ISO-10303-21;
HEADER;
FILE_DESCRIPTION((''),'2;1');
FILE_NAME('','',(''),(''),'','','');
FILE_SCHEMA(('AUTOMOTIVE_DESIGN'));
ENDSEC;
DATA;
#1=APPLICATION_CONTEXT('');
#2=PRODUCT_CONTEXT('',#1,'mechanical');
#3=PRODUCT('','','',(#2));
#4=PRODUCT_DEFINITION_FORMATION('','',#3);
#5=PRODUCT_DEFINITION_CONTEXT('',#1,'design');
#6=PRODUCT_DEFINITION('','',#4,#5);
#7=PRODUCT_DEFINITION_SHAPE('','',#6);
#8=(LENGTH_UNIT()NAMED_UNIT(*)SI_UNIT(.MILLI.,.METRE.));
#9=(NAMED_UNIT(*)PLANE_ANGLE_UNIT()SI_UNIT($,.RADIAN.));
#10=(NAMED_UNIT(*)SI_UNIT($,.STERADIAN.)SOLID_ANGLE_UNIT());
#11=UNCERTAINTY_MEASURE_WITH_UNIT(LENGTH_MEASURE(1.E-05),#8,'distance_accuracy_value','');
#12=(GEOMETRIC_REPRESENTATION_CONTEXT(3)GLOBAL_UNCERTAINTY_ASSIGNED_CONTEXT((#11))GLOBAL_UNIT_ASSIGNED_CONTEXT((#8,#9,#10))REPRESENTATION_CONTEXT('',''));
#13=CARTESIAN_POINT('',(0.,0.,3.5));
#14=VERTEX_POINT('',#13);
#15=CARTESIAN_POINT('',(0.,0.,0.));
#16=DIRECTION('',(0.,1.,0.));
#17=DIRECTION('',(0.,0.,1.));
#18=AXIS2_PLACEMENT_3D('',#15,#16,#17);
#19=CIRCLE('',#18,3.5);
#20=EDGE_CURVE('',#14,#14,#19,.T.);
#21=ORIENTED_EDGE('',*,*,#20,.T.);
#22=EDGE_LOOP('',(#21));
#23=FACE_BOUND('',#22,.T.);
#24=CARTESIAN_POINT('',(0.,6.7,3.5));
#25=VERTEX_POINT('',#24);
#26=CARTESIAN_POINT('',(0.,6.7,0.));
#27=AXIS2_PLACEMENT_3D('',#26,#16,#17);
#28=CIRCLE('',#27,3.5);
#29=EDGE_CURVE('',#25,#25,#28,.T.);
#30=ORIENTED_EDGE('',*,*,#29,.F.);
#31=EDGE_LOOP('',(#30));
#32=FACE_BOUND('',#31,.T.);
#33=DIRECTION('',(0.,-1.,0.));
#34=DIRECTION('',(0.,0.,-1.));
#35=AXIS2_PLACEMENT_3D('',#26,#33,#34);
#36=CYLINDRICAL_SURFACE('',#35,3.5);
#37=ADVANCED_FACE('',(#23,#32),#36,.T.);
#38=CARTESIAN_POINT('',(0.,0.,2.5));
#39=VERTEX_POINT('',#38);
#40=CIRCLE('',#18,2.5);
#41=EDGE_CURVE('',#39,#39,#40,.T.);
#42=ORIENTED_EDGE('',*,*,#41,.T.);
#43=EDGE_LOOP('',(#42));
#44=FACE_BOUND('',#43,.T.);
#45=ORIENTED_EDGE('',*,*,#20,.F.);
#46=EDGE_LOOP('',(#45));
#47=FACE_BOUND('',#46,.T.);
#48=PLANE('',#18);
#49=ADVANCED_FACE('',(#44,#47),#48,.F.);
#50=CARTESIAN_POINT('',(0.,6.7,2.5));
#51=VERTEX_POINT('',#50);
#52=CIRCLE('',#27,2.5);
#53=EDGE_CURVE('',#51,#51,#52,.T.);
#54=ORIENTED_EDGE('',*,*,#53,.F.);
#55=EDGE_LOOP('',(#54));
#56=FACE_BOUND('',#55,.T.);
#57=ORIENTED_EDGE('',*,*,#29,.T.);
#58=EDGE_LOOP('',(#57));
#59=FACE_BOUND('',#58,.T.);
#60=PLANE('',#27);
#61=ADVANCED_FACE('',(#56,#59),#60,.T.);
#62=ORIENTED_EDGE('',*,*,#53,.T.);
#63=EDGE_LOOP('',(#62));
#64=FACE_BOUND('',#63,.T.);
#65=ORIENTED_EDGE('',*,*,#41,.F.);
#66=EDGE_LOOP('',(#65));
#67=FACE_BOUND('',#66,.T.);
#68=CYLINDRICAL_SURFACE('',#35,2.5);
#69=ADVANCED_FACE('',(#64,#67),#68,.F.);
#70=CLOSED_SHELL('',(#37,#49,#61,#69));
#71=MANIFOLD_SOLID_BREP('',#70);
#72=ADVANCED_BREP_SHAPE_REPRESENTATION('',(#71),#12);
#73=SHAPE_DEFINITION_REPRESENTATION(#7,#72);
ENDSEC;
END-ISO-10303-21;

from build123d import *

# Parameters (mm, degrees)
SKETCH1_R           = 3.5
SKETCH1_R_2         = 2.5
BOSS_EXTRUDE1_DEPTH = 6.7


with BuildPart() as part:
    # Sketch1 → Boss-Extrude1 (new body)
    with BuildSketch(Plane(origin=(0, 0, 0), x_dir=(1, 0, 0), z_dir=(0, 1, 0))):
        with Locations(Location((0, 0, 0), (0, 0, 270))):
            Circle(SKETCH1_R)
        with Locations(Location((0, 0, 0), (0, 0, 270))):
            Circle(SKETCH1_R_2, mode=Mode.SUBTRACT)
    extrude(amount=BOSS_EXTRUDE1_DEPTH)


solid = part.part
